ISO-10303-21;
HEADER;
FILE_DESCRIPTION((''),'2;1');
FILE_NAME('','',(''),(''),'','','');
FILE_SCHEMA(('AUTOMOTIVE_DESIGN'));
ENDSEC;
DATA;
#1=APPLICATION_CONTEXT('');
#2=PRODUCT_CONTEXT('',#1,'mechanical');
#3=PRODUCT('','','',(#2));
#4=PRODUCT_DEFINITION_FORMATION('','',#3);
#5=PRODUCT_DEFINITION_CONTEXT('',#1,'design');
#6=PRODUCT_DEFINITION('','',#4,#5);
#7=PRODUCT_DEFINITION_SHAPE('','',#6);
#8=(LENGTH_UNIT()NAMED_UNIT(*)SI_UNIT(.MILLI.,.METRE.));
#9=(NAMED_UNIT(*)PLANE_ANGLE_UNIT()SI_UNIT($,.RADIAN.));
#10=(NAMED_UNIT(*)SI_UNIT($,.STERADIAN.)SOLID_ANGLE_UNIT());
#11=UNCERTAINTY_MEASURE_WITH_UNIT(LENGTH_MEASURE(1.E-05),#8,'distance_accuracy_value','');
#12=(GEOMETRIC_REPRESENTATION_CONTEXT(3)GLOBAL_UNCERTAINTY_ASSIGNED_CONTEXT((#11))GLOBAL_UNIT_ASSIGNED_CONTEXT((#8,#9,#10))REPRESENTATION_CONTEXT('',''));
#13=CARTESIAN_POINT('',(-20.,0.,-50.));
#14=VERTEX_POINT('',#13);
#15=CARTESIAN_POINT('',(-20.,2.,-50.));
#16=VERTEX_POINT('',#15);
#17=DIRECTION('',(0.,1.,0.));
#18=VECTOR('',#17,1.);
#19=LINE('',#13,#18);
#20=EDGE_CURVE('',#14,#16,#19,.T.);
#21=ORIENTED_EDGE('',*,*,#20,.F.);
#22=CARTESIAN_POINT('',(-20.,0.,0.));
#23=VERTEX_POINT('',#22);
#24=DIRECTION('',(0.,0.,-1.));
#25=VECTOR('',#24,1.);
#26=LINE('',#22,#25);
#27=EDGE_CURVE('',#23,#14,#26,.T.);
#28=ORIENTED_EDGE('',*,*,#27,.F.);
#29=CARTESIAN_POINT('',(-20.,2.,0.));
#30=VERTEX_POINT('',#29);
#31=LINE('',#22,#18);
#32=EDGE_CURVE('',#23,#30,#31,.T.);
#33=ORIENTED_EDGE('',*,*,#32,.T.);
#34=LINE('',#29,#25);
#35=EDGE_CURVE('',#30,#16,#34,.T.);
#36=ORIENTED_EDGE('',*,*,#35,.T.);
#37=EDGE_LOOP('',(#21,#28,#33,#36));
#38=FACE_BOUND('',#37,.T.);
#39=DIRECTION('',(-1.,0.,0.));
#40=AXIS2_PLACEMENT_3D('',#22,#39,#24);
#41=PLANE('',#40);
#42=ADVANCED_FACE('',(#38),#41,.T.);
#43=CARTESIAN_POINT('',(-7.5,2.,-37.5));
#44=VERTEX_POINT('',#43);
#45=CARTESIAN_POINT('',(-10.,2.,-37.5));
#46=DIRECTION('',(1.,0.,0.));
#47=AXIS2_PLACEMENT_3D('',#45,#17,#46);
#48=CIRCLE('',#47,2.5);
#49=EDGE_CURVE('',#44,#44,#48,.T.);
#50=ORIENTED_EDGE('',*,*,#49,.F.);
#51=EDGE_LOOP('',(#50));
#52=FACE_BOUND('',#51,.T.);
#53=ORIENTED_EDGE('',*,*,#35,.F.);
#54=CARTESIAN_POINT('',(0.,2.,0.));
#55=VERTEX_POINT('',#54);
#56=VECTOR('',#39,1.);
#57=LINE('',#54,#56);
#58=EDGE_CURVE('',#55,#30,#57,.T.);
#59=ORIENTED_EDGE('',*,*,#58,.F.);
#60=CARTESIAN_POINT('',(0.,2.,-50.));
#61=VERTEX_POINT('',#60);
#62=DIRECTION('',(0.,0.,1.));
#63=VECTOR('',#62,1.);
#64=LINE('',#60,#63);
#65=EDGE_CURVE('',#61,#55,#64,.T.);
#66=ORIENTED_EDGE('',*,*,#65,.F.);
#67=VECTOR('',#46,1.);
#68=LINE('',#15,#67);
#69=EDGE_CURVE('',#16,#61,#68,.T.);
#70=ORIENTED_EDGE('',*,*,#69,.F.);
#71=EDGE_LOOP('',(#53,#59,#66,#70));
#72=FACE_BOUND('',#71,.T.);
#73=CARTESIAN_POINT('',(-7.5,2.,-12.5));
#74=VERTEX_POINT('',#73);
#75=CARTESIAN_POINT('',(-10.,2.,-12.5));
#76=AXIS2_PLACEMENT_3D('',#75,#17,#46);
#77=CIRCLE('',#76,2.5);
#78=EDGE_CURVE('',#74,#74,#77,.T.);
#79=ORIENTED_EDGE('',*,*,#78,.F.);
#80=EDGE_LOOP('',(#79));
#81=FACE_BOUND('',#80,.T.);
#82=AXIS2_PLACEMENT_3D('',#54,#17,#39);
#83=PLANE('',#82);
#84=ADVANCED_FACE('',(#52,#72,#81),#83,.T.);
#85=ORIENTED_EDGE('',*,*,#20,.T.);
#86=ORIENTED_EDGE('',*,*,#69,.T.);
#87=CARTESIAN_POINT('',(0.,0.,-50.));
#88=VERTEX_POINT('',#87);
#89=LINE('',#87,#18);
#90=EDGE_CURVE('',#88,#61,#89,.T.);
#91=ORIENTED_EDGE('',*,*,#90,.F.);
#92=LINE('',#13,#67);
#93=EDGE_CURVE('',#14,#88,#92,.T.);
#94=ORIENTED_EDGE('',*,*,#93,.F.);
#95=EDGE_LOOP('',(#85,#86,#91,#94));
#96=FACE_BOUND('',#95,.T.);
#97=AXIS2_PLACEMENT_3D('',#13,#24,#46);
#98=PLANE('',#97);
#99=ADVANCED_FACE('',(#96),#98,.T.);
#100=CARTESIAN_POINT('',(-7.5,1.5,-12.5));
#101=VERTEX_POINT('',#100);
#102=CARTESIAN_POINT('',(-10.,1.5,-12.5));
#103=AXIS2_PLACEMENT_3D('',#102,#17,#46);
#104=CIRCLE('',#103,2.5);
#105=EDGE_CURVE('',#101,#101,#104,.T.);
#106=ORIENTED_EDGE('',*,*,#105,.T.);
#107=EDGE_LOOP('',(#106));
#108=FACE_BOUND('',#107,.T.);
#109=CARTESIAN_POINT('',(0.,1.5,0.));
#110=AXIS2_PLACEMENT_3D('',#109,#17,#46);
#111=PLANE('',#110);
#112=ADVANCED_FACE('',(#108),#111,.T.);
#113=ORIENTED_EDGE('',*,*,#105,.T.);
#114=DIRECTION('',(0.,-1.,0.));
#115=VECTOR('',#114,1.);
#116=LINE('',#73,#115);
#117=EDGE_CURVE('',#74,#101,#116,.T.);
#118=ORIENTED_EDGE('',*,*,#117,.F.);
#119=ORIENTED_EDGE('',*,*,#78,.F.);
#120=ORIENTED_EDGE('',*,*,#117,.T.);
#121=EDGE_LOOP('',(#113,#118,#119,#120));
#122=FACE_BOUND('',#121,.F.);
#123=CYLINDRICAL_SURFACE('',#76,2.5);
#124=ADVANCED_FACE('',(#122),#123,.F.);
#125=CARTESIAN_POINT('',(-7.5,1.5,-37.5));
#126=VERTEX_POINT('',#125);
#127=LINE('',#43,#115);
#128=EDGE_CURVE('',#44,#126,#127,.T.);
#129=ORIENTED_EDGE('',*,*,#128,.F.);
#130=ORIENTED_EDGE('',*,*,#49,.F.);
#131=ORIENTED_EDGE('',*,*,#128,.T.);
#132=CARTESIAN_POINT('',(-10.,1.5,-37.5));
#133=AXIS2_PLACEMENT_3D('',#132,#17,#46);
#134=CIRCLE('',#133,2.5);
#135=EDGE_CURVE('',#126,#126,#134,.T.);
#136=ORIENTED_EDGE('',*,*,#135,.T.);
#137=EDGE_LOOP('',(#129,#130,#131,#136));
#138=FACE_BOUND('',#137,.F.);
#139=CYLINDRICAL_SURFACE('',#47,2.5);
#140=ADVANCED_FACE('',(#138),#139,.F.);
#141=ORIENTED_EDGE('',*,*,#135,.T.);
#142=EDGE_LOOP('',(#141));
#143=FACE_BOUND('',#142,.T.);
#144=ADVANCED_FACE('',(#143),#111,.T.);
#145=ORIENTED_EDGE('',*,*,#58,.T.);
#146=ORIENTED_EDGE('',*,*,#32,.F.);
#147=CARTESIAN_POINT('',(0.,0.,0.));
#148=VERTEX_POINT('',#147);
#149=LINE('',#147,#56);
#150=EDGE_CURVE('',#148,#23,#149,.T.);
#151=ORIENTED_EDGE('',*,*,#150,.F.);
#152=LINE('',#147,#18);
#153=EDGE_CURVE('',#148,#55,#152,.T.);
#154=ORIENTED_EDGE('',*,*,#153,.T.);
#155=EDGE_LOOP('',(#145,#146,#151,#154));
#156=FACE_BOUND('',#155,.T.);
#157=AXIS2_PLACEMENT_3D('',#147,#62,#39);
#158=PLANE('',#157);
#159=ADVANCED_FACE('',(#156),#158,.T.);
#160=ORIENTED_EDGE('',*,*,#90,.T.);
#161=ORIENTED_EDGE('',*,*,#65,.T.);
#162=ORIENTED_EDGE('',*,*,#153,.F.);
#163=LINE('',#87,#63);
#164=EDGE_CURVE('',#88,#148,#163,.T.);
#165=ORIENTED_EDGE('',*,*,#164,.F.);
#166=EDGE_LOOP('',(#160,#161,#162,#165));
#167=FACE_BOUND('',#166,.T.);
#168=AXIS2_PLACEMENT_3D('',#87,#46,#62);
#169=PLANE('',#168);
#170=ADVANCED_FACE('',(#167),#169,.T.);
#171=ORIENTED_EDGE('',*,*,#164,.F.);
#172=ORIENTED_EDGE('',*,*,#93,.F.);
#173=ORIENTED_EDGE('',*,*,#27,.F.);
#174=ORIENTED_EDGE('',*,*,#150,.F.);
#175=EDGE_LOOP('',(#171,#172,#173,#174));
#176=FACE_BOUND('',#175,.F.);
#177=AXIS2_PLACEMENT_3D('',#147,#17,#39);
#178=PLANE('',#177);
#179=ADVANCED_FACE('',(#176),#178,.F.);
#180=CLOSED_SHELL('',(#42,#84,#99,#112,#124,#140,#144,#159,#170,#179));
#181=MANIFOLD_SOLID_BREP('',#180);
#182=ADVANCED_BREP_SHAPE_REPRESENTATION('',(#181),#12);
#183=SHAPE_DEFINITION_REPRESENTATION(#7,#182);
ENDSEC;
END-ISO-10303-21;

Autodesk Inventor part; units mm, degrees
ref_plane "YZ Plane" through (0, 0, 0) normal (1, 0, 0) x (0, 1, 0)
ref_plane "XZ Plane" through (0, 0, 0) normal (0, 1, 0) x (-1, 0, 0)
ref_plane "XY Plane" through (0, 0, 0) normal (0, 0, 1) x (1, 0, 0)
sketch "Sketch1" plane through (0, 0, 0) normal (0, 1, 0) x (-1, 0, 0)
  line L0 (0, 0) -> (20, 0)
  line L1 (20, 0) -> (20, -50)
  line L2 (20, -50) -> (0, -50)
  line L3 (0, -50) -> (0, 0)
  dimension "d0" = 20
  dimension "d1" = 50
extrude "Extrusion1" add sketch "Sketch1" along normal blind 2
sketch "Sketch2" plane through (0, 2, 0) normal (0, 1, 0) x (1, 0, 0)
  line L0 (-20, 0) -> (0, 0) projected
  line L1 (-10, 0) -> (-10, 50) construction
  line L2 (0, 50) -> (-20, 50) projected
  line L3 (-10, 0) -> (-10, 25) construction
  line L4 (-10, 25) -> (-10, 50) construction
  circle A0 centre (-10, 12.5) radius 2.5
  circle A1 centre (-10, 37.5) radius 2.5
  dimension "d4" = 5
  dimension "d5" = 5
extrude "Extrusion2" cut sketch "Sketch2" against normal blind 0.5
properties part number "PortaHerramienta2"
